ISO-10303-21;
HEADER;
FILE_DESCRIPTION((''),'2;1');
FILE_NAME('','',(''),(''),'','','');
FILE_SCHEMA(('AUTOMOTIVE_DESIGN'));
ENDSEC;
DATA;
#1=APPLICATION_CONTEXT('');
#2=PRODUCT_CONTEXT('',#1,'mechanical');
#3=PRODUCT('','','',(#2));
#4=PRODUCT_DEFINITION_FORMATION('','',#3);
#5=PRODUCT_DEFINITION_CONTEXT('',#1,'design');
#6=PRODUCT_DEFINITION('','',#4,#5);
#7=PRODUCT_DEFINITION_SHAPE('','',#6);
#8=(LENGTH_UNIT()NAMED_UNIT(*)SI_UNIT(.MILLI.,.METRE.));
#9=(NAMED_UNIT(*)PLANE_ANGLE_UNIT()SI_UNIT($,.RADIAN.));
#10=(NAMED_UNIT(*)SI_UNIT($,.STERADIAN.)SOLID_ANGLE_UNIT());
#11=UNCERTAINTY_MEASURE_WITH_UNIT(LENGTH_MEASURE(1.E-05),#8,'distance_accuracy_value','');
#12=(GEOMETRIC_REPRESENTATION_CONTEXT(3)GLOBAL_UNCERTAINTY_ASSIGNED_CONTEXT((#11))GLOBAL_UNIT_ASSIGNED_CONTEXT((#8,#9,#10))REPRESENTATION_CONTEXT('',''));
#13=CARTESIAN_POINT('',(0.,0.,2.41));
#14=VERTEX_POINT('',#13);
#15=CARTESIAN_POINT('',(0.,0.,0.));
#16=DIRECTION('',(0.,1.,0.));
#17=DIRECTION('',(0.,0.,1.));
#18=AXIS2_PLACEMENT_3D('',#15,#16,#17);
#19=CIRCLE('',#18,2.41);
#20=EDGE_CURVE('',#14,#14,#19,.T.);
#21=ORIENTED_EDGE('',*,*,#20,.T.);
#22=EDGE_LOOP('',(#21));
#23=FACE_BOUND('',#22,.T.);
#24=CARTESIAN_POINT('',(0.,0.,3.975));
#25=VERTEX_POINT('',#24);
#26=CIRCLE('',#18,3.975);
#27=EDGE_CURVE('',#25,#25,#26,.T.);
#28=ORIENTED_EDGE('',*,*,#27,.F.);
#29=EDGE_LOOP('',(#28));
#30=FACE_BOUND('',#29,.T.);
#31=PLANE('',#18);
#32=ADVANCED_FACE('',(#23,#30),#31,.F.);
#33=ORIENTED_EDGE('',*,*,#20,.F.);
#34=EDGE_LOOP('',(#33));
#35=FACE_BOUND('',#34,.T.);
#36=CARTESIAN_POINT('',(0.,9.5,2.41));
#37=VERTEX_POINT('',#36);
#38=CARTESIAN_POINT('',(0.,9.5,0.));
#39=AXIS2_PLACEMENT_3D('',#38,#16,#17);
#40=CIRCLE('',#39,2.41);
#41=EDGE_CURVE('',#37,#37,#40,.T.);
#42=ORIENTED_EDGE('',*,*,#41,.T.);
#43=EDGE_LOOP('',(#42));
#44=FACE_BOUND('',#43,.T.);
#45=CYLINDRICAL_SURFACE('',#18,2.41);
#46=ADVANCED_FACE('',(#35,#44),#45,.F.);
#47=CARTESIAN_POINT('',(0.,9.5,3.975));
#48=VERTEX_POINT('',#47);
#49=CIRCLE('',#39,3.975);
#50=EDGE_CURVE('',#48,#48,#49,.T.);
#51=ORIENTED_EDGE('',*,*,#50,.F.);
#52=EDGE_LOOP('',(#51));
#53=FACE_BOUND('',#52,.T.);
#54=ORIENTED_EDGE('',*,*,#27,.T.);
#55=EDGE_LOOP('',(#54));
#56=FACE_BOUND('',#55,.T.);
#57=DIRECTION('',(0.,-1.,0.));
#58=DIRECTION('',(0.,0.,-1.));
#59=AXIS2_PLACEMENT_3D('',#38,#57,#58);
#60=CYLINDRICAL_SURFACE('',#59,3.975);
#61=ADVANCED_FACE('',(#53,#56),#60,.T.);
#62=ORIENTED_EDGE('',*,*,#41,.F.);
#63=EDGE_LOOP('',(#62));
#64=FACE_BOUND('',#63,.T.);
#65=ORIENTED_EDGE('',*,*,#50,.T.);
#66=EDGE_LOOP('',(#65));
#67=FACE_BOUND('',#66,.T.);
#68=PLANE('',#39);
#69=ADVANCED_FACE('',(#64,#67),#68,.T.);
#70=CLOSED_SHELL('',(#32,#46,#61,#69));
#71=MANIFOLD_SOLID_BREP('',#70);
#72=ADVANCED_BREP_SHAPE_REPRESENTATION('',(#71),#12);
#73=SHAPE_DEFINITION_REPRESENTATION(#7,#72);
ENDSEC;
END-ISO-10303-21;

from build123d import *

# Parameters (mm, degrees)
SKETCH1_R           = 3.975
BOSS_EXTRUDE1_DEPTH = 9.5
SKETCH2_R           = 2.41
CUT_EXTRUDE1_DEPTH  = 10.5


with BuildPart() as part:
    # Sketch1 → Boss-Extrude1 (new body)
    with BuildSketch(Plane(origin=(0, 0, 0), x_dir=(1, 0, 0), z_dir=(0, 1, 0))):
        Circle(SKETCH1_R)
    extrude(amount=BOSS_EXTRUDE1_DEPTH)

    # Sketch2 → Cut-Extrude1 (cut, through all)
    with BuildSketch(Plane(origin=(0, 9.5, 0), x_dir=(1, 0, 0), z_dir=(0, 1, 0))):
        Circle(SKETCH2_R)
    extrude(amount=-CUT_EXTRUDE1_DEPTH, mode=Mode.SUBTRACT)


solid = part.part
